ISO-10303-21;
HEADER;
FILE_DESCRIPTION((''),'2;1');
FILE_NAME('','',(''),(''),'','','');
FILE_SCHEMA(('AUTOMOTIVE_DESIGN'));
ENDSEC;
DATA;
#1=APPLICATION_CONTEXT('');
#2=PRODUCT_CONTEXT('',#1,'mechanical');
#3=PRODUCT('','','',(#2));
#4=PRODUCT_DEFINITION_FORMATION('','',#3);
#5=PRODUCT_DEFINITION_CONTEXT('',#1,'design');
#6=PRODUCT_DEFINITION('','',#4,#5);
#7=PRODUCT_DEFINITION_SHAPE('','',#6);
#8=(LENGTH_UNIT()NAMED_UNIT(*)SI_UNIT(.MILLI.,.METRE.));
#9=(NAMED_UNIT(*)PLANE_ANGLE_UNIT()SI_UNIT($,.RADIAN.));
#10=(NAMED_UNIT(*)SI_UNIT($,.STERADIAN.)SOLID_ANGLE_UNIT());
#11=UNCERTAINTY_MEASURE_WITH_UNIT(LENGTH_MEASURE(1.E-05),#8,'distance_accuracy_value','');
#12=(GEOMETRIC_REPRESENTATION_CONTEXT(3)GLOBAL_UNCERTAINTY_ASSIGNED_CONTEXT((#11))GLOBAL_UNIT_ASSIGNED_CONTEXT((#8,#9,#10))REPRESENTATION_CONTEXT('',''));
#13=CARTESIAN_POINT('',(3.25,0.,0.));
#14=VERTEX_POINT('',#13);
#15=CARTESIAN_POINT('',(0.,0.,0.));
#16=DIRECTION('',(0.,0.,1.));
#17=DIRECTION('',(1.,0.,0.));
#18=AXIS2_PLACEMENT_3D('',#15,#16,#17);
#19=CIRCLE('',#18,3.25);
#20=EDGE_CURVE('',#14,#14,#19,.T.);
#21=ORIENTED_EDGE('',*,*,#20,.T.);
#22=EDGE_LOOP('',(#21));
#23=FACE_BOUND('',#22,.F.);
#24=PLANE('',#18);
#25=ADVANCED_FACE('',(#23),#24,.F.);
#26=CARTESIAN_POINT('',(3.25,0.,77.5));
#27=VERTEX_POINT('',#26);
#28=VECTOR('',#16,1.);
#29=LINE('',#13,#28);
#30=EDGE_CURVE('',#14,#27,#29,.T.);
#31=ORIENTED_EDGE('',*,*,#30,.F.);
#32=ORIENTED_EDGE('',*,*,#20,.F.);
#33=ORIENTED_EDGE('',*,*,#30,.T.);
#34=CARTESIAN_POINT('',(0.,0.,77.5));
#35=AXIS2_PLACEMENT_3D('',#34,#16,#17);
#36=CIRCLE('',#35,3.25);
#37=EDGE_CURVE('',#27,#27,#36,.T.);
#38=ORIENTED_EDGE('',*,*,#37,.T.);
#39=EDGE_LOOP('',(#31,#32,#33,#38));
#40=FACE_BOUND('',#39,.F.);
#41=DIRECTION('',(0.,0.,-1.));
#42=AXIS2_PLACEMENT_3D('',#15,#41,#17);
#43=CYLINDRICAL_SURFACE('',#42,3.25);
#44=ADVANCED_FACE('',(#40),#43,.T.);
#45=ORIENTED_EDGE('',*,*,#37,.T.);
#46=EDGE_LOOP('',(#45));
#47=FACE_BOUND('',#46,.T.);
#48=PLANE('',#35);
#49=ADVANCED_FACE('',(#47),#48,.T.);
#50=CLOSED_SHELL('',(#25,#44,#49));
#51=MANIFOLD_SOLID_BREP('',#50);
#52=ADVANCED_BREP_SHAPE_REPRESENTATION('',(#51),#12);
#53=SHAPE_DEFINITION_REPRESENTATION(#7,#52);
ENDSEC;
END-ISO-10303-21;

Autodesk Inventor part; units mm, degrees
ref_plane "YZ Plane" through (0, 0, 0) normal (1, 0, 0) x (0, 1, 0)
ref_plane "XZ Plane" through (0, 0, 0) normal (0, 1, 0) x (-1, 0, 0)
ref_plane "XY Plane" through (0, 0, 0) normal (0, 0, 1) x (1, 0, 0)
sketch "Sketch1" plane through (0, 0, 0) normal (0, 0, 1) x (1, 0, 0)
  circle A0 centre (0, 0) radius 3.25
  dimension "d0" = 6.5
extrude "Extrusion1" add sketch "Sketch1" along normal blind 77.5
properties part number "Flywheel Spoke" material "Steel, Carbon"
